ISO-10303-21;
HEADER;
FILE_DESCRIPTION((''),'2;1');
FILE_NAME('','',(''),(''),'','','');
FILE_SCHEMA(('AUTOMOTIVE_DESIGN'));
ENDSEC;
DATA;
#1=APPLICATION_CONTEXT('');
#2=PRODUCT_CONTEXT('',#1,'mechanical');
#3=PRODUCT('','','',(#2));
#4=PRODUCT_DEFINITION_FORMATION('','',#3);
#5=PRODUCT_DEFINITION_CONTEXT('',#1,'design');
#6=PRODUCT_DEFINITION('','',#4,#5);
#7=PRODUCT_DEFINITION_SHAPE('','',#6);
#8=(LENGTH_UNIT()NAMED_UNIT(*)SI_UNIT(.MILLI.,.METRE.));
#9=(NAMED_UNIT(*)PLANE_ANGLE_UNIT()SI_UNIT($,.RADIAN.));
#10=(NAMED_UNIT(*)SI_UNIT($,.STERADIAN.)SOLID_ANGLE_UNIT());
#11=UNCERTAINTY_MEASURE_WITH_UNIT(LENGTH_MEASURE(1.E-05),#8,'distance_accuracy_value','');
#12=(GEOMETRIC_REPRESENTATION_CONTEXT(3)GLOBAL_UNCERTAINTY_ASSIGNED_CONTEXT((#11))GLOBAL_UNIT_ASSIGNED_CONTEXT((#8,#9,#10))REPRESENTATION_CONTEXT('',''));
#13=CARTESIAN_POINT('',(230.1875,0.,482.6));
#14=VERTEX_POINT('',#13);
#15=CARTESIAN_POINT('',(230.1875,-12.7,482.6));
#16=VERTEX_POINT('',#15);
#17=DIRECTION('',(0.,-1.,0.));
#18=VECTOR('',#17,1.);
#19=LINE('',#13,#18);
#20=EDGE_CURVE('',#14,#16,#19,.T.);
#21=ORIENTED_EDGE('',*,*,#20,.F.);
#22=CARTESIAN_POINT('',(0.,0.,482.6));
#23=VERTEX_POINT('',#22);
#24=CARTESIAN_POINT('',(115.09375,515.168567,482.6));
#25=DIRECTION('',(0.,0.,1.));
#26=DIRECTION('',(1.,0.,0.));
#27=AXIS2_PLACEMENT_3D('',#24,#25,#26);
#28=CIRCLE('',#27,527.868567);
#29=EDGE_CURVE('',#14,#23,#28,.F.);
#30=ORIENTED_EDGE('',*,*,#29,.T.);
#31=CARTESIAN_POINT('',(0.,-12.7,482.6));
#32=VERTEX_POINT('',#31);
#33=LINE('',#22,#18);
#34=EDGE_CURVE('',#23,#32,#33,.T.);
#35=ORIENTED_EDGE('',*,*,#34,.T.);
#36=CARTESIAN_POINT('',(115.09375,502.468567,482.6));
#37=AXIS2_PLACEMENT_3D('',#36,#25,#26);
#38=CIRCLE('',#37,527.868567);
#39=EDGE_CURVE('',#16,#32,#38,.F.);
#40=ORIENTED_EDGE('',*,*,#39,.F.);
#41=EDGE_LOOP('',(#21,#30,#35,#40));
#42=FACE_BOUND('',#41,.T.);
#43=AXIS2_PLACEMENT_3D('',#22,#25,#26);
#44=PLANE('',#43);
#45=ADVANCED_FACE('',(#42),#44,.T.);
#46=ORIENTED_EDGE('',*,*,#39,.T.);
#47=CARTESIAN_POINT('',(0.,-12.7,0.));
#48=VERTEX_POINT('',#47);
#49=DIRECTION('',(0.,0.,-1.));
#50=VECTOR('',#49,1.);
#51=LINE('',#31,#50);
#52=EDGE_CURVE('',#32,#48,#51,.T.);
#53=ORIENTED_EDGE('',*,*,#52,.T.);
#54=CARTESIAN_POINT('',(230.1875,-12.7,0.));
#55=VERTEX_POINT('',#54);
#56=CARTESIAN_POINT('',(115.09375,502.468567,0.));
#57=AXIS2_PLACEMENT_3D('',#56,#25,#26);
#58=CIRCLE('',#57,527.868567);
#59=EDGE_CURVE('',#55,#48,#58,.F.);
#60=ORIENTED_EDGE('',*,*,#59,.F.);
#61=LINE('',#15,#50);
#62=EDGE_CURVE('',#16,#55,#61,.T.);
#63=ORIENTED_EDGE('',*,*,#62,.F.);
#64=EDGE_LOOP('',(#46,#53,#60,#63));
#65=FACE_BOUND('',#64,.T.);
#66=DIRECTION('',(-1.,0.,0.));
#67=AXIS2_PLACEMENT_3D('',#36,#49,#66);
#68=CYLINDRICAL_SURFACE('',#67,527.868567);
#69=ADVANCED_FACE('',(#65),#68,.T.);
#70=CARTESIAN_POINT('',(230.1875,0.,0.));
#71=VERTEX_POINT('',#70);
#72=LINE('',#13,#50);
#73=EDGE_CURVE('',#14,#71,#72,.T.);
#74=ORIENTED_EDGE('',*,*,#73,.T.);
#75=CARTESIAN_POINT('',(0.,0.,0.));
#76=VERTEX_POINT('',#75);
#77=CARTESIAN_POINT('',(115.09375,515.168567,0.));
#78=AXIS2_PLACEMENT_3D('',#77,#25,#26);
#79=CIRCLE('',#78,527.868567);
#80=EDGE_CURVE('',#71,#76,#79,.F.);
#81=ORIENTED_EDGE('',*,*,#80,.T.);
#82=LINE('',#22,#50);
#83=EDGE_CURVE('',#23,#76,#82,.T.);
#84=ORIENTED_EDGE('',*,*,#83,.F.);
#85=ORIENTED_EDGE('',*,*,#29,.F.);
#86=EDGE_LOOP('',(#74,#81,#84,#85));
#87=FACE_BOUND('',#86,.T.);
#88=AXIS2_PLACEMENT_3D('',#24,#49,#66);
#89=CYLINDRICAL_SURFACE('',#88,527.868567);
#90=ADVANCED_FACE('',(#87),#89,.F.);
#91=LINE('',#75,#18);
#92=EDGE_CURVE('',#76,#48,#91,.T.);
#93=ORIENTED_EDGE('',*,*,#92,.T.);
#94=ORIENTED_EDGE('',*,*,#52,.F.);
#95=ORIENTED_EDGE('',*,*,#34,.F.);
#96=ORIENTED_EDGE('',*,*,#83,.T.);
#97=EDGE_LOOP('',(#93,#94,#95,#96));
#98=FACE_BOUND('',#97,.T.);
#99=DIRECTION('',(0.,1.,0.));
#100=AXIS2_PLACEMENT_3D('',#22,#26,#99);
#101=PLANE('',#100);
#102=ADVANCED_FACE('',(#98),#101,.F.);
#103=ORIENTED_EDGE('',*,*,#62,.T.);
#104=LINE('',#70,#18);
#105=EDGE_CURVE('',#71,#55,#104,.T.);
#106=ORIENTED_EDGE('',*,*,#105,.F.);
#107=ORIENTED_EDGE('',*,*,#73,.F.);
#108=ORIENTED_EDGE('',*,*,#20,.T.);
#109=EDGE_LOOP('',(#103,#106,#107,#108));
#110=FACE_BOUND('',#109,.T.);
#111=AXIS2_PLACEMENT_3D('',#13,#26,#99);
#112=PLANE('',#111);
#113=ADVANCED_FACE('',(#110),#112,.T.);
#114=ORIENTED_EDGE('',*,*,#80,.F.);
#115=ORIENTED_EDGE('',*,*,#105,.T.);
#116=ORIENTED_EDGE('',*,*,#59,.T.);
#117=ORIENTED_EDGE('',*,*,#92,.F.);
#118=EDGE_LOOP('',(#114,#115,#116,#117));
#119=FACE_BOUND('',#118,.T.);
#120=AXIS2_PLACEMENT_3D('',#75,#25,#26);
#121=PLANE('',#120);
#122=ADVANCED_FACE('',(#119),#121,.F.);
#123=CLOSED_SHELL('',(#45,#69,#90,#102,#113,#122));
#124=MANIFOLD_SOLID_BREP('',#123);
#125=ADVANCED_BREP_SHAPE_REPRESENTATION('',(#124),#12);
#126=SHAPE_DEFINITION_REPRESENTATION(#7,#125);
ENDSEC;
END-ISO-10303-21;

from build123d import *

# Parameters (mm, degrees)
BOSS_EXTRUDE1_DEPTH = 482.6


with BuildPart() as part:
    # Sketch1 → Boss-Extrude1 (new body)
    with BuildSketch(Plane.XY):
        with BuildLine():
            ThreePointArc((230.1875, -12.7), (115.09375, -25.399999708), (0, -12.7))
            Line((0, -12.7), (0, 0))
            ThreePointArc((0, 0), (115.09375, -12.699999708), (230.1875, 0))
            Line((230.1875, 0), (230.1875, -12.7))
        make_face()
    extrude(amount=BOSS_EXTRUDE1_DEPTH)


solid = part.part
